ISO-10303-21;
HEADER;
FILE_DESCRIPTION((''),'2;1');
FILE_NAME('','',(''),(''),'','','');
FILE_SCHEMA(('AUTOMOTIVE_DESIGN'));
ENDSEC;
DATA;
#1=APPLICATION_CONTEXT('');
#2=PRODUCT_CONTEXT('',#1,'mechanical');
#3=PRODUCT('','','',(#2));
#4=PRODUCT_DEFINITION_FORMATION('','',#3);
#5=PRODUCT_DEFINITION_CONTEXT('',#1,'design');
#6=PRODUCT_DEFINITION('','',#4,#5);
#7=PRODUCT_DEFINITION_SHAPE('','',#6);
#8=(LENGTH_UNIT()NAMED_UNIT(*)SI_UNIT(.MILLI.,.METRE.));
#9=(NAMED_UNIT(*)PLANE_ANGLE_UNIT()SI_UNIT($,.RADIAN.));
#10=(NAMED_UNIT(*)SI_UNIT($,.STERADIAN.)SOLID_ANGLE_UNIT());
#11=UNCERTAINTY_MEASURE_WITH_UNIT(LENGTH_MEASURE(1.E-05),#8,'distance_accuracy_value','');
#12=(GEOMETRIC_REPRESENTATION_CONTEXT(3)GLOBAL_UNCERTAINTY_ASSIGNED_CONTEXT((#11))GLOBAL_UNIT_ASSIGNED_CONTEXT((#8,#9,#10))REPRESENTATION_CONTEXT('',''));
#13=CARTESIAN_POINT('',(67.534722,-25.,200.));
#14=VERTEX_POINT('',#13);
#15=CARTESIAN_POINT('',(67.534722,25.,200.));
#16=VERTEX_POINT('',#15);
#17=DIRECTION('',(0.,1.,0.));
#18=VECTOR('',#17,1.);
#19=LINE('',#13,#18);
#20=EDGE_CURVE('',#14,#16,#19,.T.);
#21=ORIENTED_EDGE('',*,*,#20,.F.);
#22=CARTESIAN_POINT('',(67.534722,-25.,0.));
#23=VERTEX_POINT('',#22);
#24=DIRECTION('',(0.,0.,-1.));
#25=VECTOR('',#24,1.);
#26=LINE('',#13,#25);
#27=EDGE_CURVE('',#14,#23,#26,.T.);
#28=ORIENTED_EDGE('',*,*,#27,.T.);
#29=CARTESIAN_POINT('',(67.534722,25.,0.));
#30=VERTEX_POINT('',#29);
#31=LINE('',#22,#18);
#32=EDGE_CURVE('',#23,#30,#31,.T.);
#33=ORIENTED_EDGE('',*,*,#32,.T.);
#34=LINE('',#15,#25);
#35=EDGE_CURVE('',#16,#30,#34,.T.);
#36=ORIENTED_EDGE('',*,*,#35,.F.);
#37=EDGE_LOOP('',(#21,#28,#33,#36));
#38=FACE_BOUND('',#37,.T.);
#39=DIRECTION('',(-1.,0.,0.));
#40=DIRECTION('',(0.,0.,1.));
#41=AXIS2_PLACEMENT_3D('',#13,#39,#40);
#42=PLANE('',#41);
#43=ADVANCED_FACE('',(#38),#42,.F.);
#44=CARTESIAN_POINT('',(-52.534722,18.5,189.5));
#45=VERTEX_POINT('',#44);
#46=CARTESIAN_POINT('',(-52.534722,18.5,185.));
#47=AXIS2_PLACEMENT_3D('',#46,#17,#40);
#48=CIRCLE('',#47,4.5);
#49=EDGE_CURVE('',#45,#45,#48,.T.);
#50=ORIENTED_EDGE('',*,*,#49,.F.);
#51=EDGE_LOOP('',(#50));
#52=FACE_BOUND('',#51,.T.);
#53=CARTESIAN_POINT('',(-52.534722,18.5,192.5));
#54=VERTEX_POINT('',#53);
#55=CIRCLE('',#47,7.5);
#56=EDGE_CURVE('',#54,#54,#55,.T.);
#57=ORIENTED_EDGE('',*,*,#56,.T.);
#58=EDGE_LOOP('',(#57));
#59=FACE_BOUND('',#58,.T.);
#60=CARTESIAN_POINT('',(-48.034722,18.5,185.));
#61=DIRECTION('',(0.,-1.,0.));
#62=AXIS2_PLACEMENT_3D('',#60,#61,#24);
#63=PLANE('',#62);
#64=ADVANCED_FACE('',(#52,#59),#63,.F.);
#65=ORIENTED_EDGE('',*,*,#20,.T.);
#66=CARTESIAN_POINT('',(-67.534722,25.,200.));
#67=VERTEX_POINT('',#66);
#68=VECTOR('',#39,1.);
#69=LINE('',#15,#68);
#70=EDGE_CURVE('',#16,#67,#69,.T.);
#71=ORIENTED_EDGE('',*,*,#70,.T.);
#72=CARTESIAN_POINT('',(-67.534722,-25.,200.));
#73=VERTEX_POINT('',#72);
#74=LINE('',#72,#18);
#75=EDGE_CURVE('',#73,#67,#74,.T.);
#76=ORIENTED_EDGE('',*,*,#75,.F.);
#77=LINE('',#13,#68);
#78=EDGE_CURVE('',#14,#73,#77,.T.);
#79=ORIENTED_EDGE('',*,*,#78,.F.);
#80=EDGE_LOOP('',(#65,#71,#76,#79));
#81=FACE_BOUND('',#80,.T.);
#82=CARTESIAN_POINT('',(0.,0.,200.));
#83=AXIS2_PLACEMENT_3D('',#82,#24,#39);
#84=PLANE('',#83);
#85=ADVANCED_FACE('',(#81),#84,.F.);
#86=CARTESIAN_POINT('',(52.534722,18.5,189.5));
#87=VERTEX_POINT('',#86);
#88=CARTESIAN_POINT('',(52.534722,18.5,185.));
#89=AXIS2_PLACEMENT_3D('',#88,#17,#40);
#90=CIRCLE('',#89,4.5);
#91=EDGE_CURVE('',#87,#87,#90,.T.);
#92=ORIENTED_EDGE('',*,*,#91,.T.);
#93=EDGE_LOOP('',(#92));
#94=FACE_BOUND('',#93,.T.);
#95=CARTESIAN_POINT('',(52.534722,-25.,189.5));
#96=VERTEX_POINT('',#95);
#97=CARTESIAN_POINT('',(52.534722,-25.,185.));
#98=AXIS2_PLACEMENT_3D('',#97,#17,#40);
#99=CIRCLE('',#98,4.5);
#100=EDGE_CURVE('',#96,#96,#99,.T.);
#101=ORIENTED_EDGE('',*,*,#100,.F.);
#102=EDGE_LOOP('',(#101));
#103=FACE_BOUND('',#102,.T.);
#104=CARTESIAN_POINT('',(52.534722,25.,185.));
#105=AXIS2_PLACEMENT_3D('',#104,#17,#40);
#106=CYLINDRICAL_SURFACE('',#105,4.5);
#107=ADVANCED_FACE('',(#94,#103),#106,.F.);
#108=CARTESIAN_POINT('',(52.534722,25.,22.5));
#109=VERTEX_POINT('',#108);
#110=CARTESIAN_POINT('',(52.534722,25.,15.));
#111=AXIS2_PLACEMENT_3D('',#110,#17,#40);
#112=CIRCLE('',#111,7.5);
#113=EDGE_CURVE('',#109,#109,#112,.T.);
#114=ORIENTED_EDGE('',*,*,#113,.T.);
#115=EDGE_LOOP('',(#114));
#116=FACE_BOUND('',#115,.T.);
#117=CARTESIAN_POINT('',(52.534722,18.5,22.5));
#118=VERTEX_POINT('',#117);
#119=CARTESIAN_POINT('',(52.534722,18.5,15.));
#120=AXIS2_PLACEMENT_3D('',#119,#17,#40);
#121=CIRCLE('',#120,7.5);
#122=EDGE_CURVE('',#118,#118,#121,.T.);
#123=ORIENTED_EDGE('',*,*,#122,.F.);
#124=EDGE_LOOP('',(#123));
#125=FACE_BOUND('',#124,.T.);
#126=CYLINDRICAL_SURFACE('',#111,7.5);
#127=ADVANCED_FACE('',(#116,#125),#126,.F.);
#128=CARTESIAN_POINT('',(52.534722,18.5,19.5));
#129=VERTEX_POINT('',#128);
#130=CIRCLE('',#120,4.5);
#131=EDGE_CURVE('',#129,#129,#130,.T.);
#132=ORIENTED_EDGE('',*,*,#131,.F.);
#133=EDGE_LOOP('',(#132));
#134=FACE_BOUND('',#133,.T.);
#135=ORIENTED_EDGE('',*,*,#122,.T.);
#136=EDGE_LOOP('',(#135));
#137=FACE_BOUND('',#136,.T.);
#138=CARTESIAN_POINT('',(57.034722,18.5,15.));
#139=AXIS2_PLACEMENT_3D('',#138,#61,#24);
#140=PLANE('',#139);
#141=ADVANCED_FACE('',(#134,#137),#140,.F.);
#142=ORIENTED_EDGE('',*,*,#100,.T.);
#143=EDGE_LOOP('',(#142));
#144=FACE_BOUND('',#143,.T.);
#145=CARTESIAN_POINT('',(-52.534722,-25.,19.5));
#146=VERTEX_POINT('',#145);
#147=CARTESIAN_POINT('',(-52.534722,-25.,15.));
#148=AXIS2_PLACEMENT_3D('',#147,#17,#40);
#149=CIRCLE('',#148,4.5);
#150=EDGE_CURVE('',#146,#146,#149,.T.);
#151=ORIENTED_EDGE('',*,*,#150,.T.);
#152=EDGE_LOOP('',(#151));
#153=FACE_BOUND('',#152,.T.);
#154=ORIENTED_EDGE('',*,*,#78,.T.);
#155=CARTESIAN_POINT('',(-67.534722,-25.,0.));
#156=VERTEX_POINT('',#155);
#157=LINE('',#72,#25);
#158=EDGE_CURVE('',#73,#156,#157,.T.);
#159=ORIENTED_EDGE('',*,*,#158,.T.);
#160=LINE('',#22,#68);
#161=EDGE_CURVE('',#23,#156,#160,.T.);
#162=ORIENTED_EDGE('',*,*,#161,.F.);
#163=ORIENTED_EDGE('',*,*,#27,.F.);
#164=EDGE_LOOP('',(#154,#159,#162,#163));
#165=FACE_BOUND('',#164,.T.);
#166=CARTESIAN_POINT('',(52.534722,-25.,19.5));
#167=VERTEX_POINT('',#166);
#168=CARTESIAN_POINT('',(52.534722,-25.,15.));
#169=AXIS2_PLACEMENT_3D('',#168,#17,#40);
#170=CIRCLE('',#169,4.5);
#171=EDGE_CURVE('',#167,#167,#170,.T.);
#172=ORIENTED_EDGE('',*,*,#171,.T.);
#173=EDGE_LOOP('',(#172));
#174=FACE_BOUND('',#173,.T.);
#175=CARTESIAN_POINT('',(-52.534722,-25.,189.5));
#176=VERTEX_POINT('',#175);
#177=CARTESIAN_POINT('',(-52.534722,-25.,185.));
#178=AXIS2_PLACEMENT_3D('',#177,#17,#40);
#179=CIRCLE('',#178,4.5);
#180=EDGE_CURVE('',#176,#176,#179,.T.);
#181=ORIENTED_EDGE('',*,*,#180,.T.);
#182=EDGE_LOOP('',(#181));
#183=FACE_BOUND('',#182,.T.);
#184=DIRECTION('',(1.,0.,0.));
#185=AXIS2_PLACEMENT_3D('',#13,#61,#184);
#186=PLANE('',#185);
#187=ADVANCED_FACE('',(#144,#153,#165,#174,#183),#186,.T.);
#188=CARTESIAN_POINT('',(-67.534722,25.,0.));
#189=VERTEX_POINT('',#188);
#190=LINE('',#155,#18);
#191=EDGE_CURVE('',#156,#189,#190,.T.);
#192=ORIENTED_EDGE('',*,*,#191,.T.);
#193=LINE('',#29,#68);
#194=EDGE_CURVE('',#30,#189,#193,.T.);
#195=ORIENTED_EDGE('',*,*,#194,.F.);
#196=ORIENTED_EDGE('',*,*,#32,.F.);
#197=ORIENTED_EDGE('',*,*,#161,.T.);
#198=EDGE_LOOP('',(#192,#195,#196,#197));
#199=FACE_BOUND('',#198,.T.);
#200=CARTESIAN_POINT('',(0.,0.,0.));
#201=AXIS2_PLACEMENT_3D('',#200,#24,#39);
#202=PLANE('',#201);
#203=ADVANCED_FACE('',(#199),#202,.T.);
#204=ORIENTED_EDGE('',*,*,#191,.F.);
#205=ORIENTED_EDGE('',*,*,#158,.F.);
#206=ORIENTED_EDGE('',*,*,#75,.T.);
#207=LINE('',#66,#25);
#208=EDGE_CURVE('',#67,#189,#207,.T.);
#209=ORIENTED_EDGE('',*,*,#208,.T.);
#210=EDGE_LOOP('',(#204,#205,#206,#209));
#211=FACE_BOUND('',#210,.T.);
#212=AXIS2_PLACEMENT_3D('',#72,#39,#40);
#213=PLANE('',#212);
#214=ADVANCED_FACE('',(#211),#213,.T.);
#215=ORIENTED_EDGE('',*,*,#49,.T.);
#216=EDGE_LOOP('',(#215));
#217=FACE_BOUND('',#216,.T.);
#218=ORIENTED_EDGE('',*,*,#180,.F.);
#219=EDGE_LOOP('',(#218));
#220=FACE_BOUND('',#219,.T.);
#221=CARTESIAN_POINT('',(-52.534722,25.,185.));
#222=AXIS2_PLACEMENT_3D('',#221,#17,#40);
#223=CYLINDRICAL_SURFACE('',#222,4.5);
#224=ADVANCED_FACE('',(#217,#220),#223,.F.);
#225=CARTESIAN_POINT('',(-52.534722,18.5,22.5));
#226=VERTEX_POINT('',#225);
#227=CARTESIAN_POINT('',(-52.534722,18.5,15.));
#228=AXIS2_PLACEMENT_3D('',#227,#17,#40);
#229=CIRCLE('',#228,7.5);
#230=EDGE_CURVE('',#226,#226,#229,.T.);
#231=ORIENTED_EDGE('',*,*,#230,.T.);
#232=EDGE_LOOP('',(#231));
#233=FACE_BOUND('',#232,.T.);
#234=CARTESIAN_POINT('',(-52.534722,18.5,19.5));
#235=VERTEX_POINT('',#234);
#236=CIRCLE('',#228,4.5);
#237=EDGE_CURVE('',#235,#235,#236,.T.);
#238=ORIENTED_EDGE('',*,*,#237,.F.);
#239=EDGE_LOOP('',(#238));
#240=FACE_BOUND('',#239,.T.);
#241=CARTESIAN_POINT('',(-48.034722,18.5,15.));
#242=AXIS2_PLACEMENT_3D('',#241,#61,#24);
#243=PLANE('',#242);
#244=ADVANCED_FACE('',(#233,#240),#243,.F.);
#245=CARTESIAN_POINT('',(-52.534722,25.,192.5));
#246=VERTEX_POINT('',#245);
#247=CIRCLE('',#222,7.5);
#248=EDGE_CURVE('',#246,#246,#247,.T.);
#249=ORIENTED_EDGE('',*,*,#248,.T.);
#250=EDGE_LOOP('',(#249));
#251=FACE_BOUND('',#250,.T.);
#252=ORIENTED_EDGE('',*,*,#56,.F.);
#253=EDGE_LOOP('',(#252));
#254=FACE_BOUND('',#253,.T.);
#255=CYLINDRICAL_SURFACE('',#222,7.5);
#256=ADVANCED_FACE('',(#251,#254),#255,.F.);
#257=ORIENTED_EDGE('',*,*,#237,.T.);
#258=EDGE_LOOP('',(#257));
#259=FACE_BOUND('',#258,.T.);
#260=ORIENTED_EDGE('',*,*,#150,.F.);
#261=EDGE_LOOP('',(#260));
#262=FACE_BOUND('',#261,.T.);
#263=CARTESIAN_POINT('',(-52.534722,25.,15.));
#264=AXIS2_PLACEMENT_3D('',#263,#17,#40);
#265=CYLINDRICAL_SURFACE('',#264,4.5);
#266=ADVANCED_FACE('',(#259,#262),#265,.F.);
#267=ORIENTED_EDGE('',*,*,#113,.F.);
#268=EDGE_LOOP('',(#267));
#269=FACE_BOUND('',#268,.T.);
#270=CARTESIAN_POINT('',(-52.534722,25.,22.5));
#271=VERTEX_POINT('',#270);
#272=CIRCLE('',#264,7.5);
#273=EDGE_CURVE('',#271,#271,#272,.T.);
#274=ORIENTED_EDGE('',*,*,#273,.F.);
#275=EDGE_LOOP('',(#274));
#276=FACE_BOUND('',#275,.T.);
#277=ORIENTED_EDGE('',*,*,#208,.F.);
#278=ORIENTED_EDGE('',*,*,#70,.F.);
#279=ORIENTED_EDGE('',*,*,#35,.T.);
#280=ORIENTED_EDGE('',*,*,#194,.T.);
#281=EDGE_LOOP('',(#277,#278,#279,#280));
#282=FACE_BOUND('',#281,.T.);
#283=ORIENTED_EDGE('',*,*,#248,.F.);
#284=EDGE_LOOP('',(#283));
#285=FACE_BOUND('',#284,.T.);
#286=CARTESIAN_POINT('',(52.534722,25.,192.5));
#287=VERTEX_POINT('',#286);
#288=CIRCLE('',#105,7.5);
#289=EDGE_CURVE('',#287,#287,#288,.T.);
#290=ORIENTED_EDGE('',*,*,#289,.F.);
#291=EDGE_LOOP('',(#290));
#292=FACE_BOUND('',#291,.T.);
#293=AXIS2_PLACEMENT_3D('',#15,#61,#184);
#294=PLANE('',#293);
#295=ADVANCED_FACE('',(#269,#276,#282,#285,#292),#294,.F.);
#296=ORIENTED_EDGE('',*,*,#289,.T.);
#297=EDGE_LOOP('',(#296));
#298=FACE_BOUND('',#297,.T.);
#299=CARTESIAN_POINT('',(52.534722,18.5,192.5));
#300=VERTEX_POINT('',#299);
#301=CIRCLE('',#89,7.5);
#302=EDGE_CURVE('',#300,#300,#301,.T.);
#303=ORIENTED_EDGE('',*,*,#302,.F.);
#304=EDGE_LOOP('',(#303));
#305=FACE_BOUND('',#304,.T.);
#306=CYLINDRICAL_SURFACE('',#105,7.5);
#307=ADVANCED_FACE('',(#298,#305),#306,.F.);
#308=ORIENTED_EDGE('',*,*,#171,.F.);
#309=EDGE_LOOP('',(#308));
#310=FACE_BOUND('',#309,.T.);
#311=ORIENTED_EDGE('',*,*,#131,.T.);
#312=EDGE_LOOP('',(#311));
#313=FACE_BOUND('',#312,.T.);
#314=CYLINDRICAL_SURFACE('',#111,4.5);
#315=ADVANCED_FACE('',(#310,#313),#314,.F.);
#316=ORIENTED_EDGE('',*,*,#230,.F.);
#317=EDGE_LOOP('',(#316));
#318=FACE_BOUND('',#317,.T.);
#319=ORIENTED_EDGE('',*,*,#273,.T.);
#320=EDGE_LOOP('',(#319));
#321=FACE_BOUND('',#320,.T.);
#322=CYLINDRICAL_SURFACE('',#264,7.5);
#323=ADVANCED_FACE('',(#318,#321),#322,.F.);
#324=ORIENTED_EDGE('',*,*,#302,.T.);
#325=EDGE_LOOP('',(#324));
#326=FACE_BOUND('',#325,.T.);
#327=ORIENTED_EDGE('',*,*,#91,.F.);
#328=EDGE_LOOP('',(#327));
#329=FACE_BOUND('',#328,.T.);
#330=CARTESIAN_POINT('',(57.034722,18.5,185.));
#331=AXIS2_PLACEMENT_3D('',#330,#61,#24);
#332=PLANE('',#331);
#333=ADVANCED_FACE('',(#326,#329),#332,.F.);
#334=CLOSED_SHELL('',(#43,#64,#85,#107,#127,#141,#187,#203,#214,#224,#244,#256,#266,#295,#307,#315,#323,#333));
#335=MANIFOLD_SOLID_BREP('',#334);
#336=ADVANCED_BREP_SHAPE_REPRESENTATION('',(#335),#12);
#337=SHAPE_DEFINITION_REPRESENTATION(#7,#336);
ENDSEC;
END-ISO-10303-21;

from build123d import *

# Parameters (mm, degrees)
SKIZZE1_W                                           = 135.069444444
SKIZZE1_H                                           = 50
AUFSATZ_LINEAR_AUSTRAGEN1_DEPTH                     = 200
STIRNSENKUNG_F_R_M8_SENKSCHRAUBE_KOPF_B_D           = 9
STIRNSENKUNG_F_R_M8_SENKSCHRAUBE_KOPF_B_CBORE_D     = 15
STIRNSENKUNG_F_R_M8_SENKSCHRAUBE_KOPF_B_CBORE_DEPTH = 6.5
SPIEGELN3_COPY_1_D                                  = 9
SPIEGELN3_COPY_1_CBORE_D                            = 15
SPIEGELN3_COPY_1_CBORE_DEPTH                        = 6.5


with BuildPart() as part:
    # Skizze1 → Aufsatz-Linear austragen1 (new body)
    with BuildSketch(Plane.XY):
        Rectangle(SKIZZE1_W, SKIZZE1_H)
    extrude(amount=AUFSATZ_LINEAR_AUSTRAGEN1_DEPTH)

    # Stirnsenkung für M8 Senkschraube (Kopf Button)4 (through all)
    with Locations(Plane(origin=(0, 25, 0), x_dir=(1, 0, 0), z_dir=(0, 1, 0))):
        with Locations((-52.534722222, -185)):
            stirnsenkung_f_r_m8_senkschraube_kopf_b = CounterBoreHole(STIRNSENKUNG_F_R_M8_SENKSCHRAUBE_KOPF_B_D / 2, STIRNSENKUNG_F_R_M8_SENKSCHRAUBE_KOPF_B_CBORE_D / 2, STIRNSENKUNG_F_R_M8_SENKSCHRAUBE_KOPF_B_CBORE_DEPTH)

    # Spiegeln2: Stirnsenkung für M8 Senkschraube (Kopf Button)4 across plane
    add(stirnsenkung_f_r_m8_senkschraube_kopf_b.mirror(Plane(origin=(0, 0, 0), x_dir=(0, 0, 1), z_dir=(1, 0, 0))), mode=Mode.SUBTRACT)

    # Spiegeln3: Stirnsenkung für M8 Senkschraube (Kopf Button)4 across plane
    add(stirnsenkung_f_r_m8_senkschraube_kopf_b.mirror(Plane.XY.offset(100)), mode=Mode.SUBTRACT)

    # Spiegeln3 copy 1 (through all)
    with Locations(Plane(origin=(0, 25, 200), x_dir=(-1, 0, 0), z_dir=(0, 1, 0))):
        with Locations((-52.534722222, -185)):
            CounterBoreHole(SPIEGELN3_COPY_1_D / 2, SPIEGELN3_COPY_1_CBORE_D / 2, SPIEGELN3_COPY_1_CBORE_DEPTH)


solid = part.part
